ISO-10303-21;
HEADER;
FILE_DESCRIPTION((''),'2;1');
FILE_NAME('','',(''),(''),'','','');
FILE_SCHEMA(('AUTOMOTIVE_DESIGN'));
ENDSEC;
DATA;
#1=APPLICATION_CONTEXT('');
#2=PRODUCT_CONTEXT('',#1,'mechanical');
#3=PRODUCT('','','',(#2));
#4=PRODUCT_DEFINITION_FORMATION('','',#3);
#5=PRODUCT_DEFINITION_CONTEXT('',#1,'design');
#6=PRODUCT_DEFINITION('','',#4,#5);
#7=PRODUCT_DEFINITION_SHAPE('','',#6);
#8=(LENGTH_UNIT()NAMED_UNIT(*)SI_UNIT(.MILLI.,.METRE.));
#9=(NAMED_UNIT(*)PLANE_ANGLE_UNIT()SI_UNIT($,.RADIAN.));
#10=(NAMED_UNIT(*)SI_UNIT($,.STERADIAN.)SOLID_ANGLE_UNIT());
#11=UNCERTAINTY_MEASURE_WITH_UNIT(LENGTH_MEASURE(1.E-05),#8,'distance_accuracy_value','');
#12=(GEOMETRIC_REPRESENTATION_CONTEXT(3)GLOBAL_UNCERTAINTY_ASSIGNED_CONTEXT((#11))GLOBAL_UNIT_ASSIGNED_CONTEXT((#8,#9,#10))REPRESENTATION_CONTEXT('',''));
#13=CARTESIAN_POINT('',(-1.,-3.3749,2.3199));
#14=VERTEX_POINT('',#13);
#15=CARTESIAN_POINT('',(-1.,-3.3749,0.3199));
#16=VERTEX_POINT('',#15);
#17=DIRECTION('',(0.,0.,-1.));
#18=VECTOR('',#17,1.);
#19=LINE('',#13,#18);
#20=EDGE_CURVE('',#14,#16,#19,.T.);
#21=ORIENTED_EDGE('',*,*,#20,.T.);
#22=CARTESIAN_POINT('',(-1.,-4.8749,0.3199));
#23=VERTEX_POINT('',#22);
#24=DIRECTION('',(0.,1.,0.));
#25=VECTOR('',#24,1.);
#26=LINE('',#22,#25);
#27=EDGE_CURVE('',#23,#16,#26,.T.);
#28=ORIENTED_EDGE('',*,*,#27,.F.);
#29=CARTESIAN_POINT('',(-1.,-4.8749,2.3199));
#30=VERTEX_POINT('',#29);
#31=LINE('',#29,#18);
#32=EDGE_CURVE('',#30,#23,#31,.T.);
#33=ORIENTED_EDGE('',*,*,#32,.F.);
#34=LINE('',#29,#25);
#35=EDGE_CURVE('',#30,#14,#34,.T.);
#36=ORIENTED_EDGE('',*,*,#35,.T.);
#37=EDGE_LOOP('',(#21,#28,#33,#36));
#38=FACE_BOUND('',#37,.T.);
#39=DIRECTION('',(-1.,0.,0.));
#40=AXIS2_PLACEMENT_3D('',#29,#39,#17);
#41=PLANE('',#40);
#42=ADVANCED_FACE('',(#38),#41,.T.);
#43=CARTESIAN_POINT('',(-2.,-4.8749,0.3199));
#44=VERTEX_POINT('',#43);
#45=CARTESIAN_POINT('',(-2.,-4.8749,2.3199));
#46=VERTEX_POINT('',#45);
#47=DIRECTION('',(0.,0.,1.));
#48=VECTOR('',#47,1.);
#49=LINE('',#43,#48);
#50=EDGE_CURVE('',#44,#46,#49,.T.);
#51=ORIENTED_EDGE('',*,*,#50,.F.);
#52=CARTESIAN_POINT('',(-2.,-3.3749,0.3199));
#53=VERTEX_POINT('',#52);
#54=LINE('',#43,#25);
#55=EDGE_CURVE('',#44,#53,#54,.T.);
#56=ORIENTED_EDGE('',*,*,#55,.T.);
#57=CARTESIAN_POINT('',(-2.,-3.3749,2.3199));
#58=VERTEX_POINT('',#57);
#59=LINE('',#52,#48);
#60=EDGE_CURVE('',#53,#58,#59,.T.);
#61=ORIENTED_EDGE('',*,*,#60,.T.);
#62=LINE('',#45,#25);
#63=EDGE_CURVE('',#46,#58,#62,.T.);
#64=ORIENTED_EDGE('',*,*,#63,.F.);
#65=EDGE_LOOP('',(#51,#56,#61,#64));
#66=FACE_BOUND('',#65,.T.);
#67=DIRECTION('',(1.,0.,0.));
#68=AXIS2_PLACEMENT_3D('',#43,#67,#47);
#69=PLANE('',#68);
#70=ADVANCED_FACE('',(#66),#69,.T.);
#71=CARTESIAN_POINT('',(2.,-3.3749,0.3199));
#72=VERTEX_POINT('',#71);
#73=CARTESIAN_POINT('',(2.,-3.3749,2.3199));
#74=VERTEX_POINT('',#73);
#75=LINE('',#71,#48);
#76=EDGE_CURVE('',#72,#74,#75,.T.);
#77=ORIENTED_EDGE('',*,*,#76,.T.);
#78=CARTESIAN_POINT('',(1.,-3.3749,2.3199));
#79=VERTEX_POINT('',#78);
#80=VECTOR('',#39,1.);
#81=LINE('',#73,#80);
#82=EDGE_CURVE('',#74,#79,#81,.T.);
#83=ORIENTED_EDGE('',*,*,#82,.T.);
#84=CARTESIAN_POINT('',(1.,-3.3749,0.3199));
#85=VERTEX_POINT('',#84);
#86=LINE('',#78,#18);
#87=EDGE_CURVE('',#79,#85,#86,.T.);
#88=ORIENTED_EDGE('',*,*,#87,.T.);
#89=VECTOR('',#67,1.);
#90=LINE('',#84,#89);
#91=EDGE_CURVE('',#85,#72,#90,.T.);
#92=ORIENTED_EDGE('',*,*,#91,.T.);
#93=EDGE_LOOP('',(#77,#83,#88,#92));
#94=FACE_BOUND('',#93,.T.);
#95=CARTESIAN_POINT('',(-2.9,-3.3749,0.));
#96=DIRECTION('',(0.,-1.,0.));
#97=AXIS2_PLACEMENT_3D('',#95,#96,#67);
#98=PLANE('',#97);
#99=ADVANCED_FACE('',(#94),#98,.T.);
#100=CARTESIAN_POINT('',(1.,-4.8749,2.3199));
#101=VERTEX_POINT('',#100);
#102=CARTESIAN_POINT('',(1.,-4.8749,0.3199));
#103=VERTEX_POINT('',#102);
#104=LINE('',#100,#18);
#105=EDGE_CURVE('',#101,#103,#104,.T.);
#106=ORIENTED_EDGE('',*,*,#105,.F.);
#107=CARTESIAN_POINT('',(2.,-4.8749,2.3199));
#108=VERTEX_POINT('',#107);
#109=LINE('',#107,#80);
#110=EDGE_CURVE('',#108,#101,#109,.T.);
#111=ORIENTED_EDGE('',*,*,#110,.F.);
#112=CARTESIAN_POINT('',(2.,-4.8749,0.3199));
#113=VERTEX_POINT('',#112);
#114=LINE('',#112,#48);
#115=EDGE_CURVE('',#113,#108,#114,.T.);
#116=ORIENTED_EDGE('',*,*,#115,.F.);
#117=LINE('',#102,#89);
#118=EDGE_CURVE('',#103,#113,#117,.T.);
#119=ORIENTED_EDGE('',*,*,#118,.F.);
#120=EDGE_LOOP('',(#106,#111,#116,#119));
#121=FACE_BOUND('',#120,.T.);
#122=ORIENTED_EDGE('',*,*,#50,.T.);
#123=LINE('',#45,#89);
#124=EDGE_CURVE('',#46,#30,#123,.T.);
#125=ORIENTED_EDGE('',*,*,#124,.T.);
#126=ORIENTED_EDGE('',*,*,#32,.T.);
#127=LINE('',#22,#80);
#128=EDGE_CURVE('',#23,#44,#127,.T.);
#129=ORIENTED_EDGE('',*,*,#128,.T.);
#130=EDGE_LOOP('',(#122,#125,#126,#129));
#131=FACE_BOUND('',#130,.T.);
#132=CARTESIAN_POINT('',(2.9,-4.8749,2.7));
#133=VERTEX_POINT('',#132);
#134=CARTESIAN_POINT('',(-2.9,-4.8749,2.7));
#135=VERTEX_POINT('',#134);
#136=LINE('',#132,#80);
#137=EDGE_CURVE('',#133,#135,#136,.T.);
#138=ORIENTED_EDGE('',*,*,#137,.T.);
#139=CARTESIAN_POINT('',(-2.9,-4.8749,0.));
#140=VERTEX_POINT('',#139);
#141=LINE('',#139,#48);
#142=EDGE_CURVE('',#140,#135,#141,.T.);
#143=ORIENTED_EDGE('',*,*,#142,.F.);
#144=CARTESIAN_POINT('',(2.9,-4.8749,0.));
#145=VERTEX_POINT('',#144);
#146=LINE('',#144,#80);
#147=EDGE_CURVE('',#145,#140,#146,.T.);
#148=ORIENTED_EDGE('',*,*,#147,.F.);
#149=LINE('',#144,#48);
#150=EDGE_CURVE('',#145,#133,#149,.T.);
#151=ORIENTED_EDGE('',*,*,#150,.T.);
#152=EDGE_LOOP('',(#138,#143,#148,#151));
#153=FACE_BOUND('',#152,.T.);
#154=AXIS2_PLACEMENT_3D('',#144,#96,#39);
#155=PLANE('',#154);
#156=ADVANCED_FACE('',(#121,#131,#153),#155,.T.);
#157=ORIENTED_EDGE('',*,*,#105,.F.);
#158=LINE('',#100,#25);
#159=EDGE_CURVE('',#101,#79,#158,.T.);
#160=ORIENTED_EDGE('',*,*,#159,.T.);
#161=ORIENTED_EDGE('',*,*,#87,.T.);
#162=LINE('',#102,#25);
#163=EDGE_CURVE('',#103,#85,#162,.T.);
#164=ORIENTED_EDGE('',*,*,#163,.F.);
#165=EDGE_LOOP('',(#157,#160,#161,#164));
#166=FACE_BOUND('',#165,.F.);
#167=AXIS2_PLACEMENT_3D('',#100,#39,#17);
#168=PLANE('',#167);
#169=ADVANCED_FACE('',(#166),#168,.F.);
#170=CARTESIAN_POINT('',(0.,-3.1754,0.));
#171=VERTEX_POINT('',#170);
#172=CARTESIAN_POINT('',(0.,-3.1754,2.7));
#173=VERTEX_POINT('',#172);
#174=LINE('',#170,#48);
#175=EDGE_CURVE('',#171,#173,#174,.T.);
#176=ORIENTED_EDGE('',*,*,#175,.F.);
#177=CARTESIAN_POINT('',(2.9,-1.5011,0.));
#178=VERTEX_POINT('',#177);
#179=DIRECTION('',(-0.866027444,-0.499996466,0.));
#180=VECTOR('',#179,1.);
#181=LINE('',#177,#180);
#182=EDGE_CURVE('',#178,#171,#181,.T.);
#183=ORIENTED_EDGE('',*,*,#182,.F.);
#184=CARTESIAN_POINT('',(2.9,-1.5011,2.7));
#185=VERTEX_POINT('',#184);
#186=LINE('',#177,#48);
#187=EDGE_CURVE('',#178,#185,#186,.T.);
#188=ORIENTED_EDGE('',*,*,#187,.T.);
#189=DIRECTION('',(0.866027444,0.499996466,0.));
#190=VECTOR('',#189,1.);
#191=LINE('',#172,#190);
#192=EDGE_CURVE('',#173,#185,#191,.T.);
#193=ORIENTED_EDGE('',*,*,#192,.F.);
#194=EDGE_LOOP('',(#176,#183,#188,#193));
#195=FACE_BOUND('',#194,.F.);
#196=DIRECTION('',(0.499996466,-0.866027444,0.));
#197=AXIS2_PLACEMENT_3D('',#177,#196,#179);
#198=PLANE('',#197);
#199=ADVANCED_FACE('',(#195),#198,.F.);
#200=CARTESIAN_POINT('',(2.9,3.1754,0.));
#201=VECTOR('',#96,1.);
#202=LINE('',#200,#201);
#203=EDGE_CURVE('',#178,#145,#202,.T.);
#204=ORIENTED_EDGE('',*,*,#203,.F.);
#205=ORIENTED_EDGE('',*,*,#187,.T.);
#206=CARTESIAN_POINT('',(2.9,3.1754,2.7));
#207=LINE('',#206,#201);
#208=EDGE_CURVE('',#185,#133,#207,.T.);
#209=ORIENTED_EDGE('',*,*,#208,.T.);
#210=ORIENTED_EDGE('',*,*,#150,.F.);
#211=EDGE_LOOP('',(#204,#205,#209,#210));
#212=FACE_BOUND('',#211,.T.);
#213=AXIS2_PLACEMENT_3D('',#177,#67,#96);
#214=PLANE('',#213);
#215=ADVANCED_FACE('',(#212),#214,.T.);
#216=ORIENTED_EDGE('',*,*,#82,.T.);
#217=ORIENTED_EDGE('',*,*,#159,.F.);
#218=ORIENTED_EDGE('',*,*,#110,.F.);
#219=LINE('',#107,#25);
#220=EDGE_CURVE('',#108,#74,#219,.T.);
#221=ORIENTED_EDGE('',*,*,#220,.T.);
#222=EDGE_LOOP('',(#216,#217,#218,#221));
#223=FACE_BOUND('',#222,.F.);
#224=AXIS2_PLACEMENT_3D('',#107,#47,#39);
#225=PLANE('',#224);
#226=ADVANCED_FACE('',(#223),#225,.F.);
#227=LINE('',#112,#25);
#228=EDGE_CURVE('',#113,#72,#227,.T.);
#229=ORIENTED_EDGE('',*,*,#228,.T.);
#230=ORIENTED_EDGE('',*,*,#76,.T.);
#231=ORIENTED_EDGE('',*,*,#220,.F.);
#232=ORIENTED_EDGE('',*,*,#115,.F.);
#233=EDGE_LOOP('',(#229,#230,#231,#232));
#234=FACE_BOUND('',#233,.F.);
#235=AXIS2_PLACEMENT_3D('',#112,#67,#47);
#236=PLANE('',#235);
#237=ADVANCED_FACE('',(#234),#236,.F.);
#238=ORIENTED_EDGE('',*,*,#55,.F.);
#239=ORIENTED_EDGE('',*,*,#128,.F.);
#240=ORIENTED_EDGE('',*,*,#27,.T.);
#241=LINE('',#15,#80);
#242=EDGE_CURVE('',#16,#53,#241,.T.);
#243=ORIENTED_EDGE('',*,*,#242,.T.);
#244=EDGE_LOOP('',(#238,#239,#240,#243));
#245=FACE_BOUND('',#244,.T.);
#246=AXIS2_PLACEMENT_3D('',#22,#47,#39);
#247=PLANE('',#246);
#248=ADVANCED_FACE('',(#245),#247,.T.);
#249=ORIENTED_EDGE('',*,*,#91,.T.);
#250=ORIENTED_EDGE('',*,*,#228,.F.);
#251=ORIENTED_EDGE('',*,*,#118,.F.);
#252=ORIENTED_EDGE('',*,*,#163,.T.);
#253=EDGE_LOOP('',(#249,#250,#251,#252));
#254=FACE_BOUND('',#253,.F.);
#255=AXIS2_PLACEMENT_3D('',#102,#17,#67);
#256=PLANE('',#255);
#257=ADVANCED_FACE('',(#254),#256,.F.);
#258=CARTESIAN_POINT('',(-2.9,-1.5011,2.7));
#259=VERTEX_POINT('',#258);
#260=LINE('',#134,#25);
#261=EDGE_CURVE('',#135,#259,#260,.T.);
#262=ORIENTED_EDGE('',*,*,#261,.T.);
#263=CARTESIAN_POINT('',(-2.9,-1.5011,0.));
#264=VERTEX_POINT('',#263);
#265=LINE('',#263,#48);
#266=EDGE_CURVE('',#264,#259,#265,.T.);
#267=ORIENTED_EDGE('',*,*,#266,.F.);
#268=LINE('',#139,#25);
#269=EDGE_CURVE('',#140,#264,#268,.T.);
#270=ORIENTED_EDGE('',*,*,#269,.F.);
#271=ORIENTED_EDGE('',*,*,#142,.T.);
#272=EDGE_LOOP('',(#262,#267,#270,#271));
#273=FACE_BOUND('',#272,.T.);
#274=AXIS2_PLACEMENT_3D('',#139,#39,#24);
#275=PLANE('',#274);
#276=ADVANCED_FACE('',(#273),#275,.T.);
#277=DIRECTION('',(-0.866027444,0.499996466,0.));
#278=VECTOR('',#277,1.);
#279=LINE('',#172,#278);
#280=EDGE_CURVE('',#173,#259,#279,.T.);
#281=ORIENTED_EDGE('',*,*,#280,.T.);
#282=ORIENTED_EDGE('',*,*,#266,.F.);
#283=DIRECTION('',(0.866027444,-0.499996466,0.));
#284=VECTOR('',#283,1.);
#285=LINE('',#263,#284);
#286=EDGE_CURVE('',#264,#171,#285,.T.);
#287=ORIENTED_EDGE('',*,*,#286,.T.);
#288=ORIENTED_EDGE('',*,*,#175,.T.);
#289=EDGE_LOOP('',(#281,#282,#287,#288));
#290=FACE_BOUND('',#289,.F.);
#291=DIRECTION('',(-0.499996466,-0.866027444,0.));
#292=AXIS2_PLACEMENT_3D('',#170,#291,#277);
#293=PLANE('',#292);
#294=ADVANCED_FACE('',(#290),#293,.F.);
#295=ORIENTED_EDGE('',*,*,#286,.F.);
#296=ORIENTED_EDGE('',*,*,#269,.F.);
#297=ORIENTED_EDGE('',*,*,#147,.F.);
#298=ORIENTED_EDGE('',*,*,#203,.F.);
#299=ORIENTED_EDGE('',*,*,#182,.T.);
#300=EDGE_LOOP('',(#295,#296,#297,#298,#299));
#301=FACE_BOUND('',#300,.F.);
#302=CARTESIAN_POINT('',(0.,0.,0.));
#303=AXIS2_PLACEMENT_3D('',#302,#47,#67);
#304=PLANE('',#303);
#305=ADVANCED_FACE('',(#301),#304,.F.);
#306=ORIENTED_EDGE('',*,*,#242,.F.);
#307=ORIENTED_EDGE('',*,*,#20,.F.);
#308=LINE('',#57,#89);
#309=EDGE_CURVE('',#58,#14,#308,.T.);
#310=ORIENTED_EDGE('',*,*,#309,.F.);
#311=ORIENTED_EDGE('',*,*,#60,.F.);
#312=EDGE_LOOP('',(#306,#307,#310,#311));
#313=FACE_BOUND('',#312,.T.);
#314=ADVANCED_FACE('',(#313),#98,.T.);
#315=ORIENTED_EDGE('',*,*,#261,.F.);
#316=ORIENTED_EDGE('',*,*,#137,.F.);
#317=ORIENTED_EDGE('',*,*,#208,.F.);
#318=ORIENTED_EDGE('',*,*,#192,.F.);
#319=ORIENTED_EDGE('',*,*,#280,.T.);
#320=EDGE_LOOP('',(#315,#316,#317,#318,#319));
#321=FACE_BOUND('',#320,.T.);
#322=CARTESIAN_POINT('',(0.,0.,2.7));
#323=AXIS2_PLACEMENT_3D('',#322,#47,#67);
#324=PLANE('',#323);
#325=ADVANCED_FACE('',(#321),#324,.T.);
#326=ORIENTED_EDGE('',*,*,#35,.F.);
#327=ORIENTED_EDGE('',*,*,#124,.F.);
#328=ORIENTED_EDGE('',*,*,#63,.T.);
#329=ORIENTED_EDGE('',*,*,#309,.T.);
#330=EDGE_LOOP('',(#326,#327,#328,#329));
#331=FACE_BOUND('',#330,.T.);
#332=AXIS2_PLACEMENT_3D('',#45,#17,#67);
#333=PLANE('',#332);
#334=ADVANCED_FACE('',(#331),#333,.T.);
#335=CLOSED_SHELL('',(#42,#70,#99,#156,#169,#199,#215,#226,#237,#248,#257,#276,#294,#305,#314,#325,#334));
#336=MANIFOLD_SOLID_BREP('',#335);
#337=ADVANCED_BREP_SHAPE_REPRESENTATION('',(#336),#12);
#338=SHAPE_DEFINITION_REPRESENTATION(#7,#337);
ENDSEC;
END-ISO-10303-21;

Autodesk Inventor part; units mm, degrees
ref_plane "YZ Plane" through (0, 0, 0) normal (1, 0, 0) x (0, 1, 0)
ref_plane "XZ Plane" through (0, 0, 0) normal (0, 1, 0) x (-1, 0, 0)
ref_plane "XY Plane" through (0, 0, 0) normal (0, 0, 1) x (1, 0, 0)
sketch "Sketch1" plane through (0, 0, 0) normal (0, 0, 1) x (1, 0, 0)
  line L0 (0, 3.1754) -> (2.9, 1.5011)
  line L1 (2.75, 1.5877) -> (2.75, -1.5877)
  line L2 (2.9, -1.5011) -> (0, -3.1754)
  line L3 (0, -3.1754) -> (-2.9, -1.5011)
  line L4 (-2.75, -1.5877) -> (-2.75, 1.5877)
  line L5 (-2.9, 1.5011) -> (0, 3.1754)
  line L6 (-2.9, 3.1754) -> (2.9, 3.1754)
  line L7 (2.9, 3.1754) -> (2.9, -4.8749)
  line L8 (2.9, -4.8749) -> (-2.9, -4.8749)
  line L9 (-2.9, -4.8749) -> (-2.9, 3.1754)
  point P0 (0, 0)
  point P1 (0, 0)
  point P2 (0, 3.1754)
  dimension "d0" = 5.5
  dimension "d1" = 5.8
  dimension "d2" = 6.376
extrude "Extrusion1" add sketch "Sketch1" along normal blind 2.7 contours L2 L7 L8 L9 L3
sketch "Sketch2" plane through (-2.9, -4.8749, 0) normal (0, -1, 0) x (1, 0, 0)
  line L0 (0.9, 2.3199) -> (1.9, 2.3199)
  line L1 (1.9, 2.3199) -> (1.9, 0.3199)
  line L2 (1.9, 0.3199) -> (0.9, 0.3199)
  line L3 (0.9, 0.3199) -> (0.9, 2.3199)
  line L4 (5.8, 0) -> (2.9, 0) projected
  line L5 (2.9, 0) -> (2.9, 0.3827)
  line L6 (2.9, 0) -> (2.9, 2.7) projected
  line L7 (4.9, 2.3199) -> (3.9, 2.3199)
  line L8 (3.9, 2.3199) -> (3.9, 0.3199)
  line L9 (3.9, 0.3199) -> (4.9, 0.3199)
  line L10 (4.9, 0.3199) -> (4.9, 2.3199)
  dimension "d5" = 1
  dimension "d6" = 1
  dimension "d7" = 2
extrude "Extrusion2" cut sketch "Sketch2" against normal blind 1.5
properties part number "Cepek2"
